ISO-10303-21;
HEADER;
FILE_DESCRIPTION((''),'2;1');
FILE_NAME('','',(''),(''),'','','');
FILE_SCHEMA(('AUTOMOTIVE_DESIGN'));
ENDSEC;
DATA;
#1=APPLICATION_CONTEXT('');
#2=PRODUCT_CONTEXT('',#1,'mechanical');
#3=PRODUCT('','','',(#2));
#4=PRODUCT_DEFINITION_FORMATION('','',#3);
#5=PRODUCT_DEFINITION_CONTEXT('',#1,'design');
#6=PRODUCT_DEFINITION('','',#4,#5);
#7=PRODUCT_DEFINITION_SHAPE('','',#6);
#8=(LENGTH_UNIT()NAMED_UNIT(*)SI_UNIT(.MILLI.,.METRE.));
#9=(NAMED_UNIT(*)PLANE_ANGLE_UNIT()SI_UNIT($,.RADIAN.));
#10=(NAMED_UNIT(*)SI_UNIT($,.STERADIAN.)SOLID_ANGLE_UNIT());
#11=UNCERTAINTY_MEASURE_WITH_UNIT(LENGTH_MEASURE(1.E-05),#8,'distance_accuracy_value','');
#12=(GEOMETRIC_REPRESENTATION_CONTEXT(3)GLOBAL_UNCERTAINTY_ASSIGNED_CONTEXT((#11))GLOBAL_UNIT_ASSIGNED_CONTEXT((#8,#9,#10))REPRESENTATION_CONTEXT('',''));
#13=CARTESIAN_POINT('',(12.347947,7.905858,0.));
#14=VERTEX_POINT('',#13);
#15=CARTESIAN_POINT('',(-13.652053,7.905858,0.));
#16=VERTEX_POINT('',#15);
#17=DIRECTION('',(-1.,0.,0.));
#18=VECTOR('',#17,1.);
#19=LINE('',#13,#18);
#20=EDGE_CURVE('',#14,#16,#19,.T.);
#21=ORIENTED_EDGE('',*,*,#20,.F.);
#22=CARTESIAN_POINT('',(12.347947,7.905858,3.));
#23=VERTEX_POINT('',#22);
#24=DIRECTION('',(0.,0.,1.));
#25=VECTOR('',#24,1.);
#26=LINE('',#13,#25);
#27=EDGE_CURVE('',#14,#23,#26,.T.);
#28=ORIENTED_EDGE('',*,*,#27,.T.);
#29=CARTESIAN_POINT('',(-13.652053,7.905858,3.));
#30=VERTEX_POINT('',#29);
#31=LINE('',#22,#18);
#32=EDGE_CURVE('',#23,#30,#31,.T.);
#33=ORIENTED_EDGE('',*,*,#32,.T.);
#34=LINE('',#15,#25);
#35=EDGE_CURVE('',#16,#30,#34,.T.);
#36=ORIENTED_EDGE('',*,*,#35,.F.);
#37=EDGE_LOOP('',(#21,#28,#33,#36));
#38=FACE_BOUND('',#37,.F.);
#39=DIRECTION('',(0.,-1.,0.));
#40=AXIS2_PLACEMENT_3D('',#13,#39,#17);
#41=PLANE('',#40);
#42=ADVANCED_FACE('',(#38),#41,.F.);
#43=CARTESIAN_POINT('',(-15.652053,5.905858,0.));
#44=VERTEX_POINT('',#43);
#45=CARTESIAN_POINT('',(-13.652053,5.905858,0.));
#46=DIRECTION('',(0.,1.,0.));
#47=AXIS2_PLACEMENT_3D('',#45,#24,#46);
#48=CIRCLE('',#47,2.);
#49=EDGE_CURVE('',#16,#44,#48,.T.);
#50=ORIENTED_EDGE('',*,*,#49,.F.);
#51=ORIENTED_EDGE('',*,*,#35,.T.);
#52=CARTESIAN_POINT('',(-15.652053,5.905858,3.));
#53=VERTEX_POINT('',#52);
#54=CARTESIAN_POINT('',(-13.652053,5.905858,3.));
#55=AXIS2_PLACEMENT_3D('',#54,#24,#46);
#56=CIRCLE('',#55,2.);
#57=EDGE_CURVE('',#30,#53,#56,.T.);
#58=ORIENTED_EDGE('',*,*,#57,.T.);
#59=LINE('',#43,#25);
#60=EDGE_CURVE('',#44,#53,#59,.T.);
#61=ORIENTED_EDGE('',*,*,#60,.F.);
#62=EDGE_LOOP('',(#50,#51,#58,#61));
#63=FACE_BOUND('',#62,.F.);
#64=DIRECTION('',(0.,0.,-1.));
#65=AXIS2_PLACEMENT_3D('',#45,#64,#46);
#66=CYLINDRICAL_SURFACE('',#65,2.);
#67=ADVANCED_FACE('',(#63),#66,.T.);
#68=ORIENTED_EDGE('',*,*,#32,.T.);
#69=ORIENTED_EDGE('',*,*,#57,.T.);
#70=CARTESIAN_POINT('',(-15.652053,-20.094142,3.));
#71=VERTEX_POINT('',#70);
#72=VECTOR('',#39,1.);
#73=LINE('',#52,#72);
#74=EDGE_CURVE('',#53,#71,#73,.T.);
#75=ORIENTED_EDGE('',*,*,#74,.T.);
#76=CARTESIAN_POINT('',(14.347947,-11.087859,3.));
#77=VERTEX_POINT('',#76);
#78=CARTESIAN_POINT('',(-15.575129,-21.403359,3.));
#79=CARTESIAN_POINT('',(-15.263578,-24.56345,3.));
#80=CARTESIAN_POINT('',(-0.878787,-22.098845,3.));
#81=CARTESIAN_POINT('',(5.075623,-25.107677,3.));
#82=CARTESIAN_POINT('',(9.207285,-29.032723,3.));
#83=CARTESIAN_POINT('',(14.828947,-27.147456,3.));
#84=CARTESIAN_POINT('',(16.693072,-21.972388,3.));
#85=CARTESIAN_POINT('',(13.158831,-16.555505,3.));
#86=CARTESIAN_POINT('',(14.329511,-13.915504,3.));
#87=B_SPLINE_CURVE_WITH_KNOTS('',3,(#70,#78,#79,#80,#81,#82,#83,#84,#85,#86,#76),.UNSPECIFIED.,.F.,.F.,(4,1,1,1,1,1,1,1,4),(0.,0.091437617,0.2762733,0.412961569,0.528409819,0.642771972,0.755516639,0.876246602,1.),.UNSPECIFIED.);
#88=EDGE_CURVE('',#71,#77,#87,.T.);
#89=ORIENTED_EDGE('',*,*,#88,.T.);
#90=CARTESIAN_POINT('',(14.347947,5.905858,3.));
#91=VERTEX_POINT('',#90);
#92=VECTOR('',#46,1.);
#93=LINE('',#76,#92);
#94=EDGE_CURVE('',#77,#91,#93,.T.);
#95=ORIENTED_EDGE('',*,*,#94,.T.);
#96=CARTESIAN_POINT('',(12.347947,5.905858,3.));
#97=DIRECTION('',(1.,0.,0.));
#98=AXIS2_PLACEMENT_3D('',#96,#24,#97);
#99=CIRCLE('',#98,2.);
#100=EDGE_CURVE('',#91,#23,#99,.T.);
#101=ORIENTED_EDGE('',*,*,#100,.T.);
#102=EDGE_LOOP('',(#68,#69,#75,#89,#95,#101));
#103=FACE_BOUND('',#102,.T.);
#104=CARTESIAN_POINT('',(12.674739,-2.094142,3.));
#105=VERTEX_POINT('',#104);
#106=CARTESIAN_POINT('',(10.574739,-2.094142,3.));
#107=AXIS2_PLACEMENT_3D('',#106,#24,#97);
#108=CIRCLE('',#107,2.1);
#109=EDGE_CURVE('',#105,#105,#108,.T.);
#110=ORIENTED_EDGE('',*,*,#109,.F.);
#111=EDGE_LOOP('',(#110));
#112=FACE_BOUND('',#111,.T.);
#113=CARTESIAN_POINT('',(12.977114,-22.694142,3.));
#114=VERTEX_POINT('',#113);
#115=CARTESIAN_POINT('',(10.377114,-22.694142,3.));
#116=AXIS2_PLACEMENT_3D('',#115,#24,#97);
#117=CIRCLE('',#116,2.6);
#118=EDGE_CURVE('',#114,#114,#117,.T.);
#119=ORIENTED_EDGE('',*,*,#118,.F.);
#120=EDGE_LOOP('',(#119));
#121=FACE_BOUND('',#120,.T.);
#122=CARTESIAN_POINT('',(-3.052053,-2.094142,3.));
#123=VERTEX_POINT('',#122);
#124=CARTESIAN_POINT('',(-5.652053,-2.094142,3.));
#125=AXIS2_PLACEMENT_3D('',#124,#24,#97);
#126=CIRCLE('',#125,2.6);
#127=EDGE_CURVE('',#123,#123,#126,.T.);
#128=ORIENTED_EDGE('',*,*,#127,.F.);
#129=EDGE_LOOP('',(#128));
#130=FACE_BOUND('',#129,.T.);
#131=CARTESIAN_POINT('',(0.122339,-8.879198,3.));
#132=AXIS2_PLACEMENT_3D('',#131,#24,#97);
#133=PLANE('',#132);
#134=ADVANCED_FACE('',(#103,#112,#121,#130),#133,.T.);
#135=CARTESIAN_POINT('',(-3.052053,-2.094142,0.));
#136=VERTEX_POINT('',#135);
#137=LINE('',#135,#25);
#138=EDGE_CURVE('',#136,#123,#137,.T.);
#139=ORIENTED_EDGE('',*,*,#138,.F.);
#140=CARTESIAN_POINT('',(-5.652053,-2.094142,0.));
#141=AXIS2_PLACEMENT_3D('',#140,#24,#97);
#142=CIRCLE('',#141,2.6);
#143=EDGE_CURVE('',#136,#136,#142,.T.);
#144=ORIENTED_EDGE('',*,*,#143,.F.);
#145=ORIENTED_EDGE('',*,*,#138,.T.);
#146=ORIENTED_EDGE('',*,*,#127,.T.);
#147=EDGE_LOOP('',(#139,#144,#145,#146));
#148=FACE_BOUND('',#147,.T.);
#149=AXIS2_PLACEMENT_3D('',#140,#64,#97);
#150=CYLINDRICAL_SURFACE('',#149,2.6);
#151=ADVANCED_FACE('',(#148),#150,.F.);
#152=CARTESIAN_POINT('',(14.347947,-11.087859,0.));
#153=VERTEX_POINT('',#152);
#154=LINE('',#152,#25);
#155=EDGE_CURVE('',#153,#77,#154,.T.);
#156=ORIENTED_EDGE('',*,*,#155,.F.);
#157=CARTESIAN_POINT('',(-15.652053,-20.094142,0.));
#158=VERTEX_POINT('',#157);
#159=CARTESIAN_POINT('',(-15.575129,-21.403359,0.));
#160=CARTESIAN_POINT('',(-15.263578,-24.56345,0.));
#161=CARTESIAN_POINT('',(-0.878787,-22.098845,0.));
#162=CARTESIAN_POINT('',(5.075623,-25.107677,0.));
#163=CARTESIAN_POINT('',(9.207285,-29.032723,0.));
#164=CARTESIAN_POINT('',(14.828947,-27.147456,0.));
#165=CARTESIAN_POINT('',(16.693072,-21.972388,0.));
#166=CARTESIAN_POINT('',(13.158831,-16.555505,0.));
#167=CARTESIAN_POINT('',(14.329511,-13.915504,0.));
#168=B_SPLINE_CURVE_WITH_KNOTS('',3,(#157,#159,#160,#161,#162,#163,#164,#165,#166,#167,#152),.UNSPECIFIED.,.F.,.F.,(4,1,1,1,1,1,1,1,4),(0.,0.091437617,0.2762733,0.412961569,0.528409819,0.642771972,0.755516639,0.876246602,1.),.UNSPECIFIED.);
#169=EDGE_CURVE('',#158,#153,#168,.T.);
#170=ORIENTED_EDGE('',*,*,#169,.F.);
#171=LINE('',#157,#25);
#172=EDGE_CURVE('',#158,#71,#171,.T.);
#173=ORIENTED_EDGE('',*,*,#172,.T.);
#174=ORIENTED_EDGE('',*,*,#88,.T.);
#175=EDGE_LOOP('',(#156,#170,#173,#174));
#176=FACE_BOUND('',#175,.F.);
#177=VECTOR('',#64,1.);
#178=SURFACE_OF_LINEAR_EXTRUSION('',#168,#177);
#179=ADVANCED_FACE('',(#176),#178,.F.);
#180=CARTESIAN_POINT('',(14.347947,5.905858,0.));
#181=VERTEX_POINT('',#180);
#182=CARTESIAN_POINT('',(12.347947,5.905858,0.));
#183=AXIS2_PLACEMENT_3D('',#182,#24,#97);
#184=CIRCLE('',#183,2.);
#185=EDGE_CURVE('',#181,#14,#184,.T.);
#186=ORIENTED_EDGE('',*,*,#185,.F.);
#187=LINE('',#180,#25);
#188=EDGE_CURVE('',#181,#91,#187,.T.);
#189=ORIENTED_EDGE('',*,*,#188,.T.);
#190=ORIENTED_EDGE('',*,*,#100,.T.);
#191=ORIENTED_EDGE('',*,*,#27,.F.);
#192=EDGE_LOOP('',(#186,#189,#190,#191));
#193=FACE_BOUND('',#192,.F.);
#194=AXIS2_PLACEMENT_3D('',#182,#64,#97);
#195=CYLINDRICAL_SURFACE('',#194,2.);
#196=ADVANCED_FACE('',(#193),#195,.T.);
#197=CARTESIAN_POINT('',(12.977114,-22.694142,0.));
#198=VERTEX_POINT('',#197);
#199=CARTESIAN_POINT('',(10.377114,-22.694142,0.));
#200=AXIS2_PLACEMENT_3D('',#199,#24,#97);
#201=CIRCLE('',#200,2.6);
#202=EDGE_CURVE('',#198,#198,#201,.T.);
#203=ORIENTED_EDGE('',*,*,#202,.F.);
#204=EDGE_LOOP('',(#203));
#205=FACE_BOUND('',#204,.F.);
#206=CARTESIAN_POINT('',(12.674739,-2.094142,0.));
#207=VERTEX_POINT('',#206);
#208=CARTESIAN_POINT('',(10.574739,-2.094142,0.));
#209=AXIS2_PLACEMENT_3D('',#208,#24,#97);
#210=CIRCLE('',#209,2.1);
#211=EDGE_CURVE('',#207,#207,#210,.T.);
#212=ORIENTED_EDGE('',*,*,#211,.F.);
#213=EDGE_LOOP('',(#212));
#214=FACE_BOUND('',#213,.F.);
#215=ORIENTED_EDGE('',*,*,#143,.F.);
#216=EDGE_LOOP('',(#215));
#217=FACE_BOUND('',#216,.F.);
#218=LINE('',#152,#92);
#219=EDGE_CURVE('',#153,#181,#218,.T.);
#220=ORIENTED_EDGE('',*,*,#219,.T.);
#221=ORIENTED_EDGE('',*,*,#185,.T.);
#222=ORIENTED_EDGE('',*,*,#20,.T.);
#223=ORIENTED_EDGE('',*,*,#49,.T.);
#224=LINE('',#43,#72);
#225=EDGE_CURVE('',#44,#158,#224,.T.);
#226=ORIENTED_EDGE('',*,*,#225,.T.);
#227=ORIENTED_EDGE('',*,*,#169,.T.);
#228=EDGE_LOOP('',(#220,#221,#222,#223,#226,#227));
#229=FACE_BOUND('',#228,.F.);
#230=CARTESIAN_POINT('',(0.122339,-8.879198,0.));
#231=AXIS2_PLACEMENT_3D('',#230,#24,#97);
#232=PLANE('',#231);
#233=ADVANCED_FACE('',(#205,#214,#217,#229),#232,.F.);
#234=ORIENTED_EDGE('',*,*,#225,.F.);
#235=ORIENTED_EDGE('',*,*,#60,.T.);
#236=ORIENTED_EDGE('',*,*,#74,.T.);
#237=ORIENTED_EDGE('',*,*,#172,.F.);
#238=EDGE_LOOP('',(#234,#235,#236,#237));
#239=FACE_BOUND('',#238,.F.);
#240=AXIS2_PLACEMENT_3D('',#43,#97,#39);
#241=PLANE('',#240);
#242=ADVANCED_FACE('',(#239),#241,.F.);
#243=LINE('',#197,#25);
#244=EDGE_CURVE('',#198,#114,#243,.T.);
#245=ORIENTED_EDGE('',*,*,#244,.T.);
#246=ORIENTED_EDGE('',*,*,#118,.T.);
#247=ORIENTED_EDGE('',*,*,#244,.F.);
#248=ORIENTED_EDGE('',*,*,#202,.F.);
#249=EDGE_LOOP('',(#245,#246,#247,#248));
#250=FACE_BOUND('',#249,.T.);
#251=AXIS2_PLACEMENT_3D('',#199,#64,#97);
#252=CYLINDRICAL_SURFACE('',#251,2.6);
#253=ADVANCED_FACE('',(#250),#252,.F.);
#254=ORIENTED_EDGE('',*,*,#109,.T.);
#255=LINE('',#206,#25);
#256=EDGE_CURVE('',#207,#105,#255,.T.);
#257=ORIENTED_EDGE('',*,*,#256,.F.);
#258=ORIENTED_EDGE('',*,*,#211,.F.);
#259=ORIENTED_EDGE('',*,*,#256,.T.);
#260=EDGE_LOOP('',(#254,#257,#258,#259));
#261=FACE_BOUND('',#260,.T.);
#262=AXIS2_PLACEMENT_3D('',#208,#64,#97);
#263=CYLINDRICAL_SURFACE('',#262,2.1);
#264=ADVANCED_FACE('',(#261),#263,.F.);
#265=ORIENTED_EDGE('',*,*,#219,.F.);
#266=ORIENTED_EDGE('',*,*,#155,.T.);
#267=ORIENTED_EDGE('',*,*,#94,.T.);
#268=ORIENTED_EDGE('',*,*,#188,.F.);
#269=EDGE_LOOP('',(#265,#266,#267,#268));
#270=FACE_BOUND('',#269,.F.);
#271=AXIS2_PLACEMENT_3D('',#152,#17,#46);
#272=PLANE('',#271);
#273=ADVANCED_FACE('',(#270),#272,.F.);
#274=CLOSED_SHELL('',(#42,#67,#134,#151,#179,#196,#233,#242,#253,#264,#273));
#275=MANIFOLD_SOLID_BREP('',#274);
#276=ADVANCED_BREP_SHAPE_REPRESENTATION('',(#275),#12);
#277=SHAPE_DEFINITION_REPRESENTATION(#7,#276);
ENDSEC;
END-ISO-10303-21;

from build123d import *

# Parameters (mm, degrees)
F0_R     = 2.6
F0_R_2   = 2.1
F1_DEPTH = 3


with BuildPart() as f1:
    # F0 (on Top) → F1 (new body)
    with BuildSketch(Plane.XY):
        with BuildLine():
            Line((12.3479472026, 7.9058583081), (-13.6520527974, 7.9058583081))
            ThreePointArc((-13.6520527974, 7.9058583081), (-15.0662663598, 7.3200718704), (-15.6520527974, 5.9058583081))
            Line((-15.6520527974, 5.9058583081), (-15.6520527974, -20.0941416919))
            add(Edge.make_bspline(
                [(-15.6520527974, -20.0941416919), (-15.5751293037, -21.4033594279), (-15.2635781681, -24.5634502002), (-0.8787874809, -22.0988449664), (5.0756230648, -25.1076771756), (9.2072850265, -29.0327234408), (14.8289471052, -27.1474559823), (16.6930721896, -21.9723878023), (13.1588311211, -16.5555052211), (14.3295111489, -13.9155043625), (14.3479472026, -11.0878590494)],
                knots=[0, 0, 0, 0, 0.0914376173, 0.2762733003, 0.4129615686, 0.5284098194, 0.6427719716, 0.7555166389, 0.8762466025, 1, 1, 1, 1], degree=3))
            Line((14.3479472026, -11.0878590494), (14.3479472026, 5.9058583081))
            ThreePointArc((14.3479472026, 5.9058583081), (13.762160765, 7.3200718704), (12.3479472026, 7.9058583081))
        make_face()
        with Locations((10.3771137074, -22.6941416919)):
            Circle(F0_R, mode=Mode.SUBTRACT)
        with Locations((-5.6520527974, -2.0941416919)):
            Circle(F0_R, mode=Mode.SUBTRACT)
        with Locations((10.5747394032, -2.0941416919)):
            Circle(F0_R_2, mode=Mode.SUBTRACT)
    extrude(amount=F1_DEPTH)


solid = f1.part
